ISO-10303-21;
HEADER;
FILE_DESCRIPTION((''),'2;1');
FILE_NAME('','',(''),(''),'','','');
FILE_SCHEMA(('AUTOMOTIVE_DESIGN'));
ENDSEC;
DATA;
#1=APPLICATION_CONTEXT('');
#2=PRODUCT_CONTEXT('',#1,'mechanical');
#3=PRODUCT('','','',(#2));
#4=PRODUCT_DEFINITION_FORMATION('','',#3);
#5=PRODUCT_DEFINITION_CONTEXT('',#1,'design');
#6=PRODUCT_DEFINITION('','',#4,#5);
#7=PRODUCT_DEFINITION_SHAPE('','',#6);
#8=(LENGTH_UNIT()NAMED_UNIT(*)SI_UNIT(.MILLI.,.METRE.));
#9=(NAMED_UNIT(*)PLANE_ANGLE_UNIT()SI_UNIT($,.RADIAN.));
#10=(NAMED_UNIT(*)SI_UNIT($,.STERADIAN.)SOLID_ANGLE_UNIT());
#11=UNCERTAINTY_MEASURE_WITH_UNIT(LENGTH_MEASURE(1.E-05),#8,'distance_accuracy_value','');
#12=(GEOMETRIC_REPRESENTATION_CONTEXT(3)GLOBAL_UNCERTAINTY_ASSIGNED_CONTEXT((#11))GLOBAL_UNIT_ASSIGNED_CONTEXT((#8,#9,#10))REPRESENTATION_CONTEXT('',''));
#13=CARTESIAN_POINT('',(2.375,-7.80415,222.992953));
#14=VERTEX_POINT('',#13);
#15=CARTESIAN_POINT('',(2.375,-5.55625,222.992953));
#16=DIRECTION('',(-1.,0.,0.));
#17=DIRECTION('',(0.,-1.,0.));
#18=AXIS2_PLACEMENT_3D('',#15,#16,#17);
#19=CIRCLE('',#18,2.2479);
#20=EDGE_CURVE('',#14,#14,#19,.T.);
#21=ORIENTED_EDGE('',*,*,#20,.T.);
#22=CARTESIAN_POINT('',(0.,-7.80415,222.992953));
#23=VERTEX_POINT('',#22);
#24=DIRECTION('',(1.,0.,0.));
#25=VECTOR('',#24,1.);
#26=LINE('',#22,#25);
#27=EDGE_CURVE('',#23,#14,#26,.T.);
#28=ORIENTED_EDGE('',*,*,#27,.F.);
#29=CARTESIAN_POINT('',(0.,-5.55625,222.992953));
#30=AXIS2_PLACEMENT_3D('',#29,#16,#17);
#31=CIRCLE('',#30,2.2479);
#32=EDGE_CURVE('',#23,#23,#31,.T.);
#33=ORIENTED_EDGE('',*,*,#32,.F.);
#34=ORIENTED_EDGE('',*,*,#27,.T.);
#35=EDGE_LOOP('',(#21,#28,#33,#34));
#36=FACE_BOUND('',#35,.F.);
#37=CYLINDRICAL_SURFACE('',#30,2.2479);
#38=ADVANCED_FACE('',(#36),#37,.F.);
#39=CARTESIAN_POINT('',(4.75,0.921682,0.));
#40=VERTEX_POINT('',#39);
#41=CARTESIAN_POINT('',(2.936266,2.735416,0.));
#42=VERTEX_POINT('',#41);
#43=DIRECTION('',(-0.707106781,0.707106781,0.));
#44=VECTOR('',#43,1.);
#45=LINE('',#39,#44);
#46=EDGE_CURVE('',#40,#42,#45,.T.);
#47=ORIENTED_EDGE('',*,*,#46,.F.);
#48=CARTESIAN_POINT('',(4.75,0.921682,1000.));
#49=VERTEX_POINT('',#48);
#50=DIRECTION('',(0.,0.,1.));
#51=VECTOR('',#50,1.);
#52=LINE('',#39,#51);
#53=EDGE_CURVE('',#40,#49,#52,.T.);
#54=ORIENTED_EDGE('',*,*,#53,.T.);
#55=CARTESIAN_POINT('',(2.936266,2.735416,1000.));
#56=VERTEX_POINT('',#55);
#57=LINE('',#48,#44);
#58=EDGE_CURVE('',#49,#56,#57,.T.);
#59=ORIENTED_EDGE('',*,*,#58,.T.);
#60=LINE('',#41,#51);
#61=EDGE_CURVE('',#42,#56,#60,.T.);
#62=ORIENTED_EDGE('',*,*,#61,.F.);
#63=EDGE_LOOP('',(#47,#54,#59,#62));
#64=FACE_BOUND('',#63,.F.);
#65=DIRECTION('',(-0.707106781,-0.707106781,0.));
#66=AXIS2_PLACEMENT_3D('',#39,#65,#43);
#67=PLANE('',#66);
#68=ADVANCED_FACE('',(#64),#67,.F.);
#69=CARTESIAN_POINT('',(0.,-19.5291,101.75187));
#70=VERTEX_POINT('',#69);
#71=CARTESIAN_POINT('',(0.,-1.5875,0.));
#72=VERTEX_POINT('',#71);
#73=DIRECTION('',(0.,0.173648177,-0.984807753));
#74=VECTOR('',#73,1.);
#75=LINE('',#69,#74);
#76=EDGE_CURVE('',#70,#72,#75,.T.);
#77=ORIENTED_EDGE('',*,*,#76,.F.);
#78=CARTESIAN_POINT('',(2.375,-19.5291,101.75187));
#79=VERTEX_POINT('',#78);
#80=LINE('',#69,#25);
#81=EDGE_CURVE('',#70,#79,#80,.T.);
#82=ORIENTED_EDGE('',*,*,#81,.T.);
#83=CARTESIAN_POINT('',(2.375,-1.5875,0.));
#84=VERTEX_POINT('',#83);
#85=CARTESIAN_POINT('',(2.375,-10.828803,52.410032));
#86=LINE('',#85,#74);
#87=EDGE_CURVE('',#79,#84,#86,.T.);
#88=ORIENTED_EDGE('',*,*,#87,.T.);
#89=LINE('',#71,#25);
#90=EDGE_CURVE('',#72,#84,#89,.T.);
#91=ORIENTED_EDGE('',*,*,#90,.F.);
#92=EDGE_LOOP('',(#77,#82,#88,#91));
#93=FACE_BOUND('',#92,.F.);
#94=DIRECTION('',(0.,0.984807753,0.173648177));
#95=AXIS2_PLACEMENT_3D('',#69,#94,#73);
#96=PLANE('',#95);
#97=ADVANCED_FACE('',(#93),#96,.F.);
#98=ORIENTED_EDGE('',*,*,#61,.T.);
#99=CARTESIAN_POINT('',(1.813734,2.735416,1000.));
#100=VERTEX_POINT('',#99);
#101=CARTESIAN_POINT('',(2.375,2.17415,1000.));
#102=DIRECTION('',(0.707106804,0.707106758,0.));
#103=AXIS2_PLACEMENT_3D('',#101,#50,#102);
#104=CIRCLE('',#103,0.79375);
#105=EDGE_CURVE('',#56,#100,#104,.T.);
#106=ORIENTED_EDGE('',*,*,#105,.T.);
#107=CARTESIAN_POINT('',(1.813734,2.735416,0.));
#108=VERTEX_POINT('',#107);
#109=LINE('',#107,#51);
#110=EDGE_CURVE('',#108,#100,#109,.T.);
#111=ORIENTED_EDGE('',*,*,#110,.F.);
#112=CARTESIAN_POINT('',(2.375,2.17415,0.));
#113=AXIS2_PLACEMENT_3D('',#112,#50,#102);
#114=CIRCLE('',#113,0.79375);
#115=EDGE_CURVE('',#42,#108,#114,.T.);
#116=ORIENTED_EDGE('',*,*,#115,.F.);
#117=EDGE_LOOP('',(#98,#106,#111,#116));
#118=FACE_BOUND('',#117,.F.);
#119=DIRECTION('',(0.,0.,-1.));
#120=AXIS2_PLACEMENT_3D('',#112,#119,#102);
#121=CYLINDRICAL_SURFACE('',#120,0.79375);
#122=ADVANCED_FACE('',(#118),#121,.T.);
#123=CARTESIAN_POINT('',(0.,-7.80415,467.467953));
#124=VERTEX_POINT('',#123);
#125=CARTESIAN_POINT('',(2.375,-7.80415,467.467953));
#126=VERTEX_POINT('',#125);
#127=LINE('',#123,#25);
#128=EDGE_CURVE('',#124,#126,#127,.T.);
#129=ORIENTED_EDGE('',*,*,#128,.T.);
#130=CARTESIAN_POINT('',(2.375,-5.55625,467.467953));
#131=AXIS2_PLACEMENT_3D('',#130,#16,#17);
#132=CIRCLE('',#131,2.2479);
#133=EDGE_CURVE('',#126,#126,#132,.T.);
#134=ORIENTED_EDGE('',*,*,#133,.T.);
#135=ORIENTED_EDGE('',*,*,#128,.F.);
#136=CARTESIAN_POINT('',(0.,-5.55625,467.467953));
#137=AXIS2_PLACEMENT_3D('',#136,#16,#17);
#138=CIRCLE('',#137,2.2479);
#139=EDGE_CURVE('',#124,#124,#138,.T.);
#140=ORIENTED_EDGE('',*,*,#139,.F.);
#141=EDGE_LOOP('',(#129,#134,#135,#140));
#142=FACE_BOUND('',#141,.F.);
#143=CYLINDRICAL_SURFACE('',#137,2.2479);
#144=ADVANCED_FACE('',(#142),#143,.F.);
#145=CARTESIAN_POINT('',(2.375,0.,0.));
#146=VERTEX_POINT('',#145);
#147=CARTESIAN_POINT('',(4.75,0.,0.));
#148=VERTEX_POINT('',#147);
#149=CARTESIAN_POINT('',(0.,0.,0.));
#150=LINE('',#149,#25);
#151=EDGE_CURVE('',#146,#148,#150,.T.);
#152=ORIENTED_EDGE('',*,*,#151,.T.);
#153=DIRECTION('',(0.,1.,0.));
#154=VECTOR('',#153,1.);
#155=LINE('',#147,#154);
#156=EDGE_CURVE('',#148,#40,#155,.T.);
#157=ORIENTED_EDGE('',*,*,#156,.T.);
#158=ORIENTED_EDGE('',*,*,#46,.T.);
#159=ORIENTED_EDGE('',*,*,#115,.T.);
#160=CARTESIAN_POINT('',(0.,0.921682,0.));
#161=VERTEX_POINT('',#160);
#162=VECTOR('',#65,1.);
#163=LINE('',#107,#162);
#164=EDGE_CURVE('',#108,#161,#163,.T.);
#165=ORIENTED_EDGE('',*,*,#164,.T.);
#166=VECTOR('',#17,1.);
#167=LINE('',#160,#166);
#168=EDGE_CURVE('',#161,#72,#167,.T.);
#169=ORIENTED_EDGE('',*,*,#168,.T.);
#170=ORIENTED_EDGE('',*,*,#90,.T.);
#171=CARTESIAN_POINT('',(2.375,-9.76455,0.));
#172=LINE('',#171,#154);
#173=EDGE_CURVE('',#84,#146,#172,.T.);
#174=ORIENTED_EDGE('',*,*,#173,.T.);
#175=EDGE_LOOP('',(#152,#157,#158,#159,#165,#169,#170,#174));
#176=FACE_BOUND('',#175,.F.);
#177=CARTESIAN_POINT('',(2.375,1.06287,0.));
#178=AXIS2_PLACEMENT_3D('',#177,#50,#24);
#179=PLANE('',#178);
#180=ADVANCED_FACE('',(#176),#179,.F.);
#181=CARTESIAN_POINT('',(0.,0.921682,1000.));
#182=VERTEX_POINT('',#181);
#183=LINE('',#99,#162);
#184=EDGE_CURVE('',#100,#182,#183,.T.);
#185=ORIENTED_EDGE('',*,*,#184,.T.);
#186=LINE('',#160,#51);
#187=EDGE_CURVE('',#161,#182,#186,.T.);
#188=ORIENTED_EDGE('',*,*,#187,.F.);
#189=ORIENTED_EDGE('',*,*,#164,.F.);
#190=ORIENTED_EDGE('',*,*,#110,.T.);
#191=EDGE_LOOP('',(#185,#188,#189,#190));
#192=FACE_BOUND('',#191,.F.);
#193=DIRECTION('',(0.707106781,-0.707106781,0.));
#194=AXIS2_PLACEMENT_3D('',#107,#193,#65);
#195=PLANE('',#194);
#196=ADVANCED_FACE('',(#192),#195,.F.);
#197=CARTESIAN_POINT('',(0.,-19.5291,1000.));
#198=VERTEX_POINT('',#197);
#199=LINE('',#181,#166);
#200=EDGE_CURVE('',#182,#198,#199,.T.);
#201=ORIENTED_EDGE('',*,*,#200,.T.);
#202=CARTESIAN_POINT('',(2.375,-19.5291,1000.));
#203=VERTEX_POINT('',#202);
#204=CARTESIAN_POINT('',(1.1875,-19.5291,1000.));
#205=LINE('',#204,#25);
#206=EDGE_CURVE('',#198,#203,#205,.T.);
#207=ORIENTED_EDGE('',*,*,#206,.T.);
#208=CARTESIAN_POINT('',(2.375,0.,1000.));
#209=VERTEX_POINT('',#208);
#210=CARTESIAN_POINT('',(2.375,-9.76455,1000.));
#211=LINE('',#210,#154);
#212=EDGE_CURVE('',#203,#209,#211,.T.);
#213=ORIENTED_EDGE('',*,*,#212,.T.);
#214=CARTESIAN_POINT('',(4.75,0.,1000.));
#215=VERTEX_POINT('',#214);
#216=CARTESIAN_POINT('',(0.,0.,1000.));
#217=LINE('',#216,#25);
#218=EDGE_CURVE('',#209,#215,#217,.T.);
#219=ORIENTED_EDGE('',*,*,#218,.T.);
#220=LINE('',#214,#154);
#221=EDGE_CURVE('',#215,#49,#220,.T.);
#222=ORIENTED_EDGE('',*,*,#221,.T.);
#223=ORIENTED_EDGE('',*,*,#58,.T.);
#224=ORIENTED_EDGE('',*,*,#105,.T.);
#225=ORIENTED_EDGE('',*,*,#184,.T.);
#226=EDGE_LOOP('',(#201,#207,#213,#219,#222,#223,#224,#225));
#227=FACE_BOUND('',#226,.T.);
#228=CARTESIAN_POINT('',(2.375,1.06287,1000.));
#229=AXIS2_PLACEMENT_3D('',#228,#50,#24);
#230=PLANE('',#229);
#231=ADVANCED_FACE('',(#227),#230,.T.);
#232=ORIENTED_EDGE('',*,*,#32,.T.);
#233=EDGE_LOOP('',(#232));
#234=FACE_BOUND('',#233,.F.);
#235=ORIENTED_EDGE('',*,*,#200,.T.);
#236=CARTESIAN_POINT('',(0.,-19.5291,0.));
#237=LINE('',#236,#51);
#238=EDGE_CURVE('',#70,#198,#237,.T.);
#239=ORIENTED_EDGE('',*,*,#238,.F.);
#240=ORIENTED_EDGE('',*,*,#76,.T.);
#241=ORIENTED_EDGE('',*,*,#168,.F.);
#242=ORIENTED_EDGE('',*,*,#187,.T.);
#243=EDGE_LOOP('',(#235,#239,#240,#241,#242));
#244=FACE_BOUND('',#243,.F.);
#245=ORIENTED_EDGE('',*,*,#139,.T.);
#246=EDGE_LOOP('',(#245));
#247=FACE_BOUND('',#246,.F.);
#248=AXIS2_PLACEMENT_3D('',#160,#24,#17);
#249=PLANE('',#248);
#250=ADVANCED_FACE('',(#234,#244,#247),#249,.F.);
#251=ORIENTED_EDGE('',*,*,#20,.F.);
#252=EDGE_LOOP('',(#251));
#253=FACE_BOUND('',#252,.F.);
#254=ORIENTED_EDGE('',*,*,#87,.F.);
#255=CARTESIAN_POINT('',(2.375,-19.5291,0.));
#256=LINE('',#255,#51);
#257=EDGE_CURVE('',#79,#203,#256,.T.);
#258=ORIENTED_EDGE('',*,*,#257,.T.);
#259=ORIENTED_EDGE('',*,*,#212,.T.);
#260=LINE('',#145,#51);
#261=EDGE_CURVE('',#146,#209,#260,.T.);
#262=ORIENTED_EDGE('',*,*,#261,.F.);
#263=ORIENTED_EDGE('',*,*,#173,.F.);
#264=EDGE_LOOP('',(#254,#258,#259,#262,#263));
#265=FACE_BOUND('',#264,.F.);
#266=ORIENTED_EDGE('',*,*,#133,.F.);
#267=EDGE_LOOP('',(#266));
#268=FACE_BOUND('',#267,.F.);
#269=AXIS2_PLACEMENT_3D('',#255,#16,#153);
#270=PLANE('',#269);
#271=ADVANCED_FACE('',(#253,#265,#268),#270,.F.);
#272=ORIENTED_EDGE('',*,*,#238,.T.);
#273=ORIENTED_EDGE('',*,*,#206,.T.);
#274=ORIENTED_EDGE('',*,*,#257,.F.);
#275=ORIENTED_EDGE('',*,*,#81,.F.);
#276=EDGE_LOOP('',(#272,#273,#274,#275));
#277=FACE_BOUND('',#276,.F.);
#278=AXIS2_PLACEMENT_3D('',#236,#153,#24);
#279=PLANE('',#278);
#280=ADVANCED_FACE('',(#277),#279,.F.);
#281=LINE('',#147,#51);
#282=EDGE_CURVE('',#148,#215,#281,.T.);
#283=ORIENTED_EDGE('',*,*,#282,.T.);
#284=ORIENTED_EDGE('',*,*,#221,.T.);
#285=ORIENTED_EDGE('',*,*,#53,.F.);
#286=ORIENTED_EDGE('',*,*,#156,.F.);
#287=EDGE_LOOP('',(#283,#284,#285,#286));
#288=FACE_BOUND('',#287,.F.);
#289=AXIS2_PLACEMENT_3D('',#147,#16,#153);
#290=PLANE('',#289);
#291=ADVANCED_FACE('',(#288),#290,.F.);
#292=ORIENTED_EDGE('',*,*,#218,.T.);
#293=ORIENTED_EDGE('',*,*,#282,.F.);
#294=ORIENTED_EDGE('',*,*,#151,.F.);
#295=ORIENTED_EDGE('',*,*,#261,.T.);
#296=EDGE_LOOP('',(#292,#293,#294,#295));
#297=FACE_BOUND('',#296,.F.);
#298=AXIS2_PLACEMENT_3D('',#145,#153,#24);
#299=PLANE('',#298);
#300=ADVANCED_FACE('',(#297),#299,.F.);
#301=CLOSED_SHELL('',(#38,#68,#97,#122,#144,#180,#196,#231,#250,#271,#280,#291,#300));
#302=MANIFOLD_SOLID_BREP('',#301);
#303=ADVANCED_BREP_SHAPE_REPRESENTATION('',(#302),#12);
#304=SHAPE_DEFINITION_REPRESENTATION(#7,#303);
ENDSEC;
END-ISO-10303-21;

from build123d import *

# Parameters (mm, degrees)
F0_W     = 2.375
F0_H     = 19.5291
F1_DEPTH = 1000
F2_R     = 2.2479
F3_DEPTH = 4.75


with BuildPart() as f1:
    # F0 (on Top) → F1 (new body)
    with BuildSketch(Plane.XY):
        with BuildLine():
            Line((0, 0.921682), (0, 0))
            Line((0, 0), (2.375, 0))
            Line((2.375, 0), (4.75, 0))
            Line((4.75, 0), (4.75, 0.921682))
            Line((4.75, 0.921682), (2.936266, 2.735416))
            ThreePointArc((2.936266, 2.735416), (2.375, 2.9679), (1.813734, 2.735416))
            Line((1.813734, 2.735416), (0, 0.921682))
        make_face()
        with Locations((1.1875, -9.76455)):
            Rectangle(F0_W, F0_H)
    extrude(amount=F1_DEPTH)

    # F2 (on face) → F3 (cut, through all)
    with BuildSketch(Plane(origin=(0, 0, 0), x_dir=(0, -1, 0), z_dir=(-1, 0, 0))):
        Polygon((1.5875, 0), (19.5291, 0), (19.5291, 101.75187), align=None)
        with Locations((5.55625, 222.992953)):
            Circle(F2_R)
        with Locations((5.55625, 467.467953)):
            Circle(F2_R)
    extrude(amount=-F3_DEPTH, mode=Mode.SUBTRACT)


solid = f1.part
